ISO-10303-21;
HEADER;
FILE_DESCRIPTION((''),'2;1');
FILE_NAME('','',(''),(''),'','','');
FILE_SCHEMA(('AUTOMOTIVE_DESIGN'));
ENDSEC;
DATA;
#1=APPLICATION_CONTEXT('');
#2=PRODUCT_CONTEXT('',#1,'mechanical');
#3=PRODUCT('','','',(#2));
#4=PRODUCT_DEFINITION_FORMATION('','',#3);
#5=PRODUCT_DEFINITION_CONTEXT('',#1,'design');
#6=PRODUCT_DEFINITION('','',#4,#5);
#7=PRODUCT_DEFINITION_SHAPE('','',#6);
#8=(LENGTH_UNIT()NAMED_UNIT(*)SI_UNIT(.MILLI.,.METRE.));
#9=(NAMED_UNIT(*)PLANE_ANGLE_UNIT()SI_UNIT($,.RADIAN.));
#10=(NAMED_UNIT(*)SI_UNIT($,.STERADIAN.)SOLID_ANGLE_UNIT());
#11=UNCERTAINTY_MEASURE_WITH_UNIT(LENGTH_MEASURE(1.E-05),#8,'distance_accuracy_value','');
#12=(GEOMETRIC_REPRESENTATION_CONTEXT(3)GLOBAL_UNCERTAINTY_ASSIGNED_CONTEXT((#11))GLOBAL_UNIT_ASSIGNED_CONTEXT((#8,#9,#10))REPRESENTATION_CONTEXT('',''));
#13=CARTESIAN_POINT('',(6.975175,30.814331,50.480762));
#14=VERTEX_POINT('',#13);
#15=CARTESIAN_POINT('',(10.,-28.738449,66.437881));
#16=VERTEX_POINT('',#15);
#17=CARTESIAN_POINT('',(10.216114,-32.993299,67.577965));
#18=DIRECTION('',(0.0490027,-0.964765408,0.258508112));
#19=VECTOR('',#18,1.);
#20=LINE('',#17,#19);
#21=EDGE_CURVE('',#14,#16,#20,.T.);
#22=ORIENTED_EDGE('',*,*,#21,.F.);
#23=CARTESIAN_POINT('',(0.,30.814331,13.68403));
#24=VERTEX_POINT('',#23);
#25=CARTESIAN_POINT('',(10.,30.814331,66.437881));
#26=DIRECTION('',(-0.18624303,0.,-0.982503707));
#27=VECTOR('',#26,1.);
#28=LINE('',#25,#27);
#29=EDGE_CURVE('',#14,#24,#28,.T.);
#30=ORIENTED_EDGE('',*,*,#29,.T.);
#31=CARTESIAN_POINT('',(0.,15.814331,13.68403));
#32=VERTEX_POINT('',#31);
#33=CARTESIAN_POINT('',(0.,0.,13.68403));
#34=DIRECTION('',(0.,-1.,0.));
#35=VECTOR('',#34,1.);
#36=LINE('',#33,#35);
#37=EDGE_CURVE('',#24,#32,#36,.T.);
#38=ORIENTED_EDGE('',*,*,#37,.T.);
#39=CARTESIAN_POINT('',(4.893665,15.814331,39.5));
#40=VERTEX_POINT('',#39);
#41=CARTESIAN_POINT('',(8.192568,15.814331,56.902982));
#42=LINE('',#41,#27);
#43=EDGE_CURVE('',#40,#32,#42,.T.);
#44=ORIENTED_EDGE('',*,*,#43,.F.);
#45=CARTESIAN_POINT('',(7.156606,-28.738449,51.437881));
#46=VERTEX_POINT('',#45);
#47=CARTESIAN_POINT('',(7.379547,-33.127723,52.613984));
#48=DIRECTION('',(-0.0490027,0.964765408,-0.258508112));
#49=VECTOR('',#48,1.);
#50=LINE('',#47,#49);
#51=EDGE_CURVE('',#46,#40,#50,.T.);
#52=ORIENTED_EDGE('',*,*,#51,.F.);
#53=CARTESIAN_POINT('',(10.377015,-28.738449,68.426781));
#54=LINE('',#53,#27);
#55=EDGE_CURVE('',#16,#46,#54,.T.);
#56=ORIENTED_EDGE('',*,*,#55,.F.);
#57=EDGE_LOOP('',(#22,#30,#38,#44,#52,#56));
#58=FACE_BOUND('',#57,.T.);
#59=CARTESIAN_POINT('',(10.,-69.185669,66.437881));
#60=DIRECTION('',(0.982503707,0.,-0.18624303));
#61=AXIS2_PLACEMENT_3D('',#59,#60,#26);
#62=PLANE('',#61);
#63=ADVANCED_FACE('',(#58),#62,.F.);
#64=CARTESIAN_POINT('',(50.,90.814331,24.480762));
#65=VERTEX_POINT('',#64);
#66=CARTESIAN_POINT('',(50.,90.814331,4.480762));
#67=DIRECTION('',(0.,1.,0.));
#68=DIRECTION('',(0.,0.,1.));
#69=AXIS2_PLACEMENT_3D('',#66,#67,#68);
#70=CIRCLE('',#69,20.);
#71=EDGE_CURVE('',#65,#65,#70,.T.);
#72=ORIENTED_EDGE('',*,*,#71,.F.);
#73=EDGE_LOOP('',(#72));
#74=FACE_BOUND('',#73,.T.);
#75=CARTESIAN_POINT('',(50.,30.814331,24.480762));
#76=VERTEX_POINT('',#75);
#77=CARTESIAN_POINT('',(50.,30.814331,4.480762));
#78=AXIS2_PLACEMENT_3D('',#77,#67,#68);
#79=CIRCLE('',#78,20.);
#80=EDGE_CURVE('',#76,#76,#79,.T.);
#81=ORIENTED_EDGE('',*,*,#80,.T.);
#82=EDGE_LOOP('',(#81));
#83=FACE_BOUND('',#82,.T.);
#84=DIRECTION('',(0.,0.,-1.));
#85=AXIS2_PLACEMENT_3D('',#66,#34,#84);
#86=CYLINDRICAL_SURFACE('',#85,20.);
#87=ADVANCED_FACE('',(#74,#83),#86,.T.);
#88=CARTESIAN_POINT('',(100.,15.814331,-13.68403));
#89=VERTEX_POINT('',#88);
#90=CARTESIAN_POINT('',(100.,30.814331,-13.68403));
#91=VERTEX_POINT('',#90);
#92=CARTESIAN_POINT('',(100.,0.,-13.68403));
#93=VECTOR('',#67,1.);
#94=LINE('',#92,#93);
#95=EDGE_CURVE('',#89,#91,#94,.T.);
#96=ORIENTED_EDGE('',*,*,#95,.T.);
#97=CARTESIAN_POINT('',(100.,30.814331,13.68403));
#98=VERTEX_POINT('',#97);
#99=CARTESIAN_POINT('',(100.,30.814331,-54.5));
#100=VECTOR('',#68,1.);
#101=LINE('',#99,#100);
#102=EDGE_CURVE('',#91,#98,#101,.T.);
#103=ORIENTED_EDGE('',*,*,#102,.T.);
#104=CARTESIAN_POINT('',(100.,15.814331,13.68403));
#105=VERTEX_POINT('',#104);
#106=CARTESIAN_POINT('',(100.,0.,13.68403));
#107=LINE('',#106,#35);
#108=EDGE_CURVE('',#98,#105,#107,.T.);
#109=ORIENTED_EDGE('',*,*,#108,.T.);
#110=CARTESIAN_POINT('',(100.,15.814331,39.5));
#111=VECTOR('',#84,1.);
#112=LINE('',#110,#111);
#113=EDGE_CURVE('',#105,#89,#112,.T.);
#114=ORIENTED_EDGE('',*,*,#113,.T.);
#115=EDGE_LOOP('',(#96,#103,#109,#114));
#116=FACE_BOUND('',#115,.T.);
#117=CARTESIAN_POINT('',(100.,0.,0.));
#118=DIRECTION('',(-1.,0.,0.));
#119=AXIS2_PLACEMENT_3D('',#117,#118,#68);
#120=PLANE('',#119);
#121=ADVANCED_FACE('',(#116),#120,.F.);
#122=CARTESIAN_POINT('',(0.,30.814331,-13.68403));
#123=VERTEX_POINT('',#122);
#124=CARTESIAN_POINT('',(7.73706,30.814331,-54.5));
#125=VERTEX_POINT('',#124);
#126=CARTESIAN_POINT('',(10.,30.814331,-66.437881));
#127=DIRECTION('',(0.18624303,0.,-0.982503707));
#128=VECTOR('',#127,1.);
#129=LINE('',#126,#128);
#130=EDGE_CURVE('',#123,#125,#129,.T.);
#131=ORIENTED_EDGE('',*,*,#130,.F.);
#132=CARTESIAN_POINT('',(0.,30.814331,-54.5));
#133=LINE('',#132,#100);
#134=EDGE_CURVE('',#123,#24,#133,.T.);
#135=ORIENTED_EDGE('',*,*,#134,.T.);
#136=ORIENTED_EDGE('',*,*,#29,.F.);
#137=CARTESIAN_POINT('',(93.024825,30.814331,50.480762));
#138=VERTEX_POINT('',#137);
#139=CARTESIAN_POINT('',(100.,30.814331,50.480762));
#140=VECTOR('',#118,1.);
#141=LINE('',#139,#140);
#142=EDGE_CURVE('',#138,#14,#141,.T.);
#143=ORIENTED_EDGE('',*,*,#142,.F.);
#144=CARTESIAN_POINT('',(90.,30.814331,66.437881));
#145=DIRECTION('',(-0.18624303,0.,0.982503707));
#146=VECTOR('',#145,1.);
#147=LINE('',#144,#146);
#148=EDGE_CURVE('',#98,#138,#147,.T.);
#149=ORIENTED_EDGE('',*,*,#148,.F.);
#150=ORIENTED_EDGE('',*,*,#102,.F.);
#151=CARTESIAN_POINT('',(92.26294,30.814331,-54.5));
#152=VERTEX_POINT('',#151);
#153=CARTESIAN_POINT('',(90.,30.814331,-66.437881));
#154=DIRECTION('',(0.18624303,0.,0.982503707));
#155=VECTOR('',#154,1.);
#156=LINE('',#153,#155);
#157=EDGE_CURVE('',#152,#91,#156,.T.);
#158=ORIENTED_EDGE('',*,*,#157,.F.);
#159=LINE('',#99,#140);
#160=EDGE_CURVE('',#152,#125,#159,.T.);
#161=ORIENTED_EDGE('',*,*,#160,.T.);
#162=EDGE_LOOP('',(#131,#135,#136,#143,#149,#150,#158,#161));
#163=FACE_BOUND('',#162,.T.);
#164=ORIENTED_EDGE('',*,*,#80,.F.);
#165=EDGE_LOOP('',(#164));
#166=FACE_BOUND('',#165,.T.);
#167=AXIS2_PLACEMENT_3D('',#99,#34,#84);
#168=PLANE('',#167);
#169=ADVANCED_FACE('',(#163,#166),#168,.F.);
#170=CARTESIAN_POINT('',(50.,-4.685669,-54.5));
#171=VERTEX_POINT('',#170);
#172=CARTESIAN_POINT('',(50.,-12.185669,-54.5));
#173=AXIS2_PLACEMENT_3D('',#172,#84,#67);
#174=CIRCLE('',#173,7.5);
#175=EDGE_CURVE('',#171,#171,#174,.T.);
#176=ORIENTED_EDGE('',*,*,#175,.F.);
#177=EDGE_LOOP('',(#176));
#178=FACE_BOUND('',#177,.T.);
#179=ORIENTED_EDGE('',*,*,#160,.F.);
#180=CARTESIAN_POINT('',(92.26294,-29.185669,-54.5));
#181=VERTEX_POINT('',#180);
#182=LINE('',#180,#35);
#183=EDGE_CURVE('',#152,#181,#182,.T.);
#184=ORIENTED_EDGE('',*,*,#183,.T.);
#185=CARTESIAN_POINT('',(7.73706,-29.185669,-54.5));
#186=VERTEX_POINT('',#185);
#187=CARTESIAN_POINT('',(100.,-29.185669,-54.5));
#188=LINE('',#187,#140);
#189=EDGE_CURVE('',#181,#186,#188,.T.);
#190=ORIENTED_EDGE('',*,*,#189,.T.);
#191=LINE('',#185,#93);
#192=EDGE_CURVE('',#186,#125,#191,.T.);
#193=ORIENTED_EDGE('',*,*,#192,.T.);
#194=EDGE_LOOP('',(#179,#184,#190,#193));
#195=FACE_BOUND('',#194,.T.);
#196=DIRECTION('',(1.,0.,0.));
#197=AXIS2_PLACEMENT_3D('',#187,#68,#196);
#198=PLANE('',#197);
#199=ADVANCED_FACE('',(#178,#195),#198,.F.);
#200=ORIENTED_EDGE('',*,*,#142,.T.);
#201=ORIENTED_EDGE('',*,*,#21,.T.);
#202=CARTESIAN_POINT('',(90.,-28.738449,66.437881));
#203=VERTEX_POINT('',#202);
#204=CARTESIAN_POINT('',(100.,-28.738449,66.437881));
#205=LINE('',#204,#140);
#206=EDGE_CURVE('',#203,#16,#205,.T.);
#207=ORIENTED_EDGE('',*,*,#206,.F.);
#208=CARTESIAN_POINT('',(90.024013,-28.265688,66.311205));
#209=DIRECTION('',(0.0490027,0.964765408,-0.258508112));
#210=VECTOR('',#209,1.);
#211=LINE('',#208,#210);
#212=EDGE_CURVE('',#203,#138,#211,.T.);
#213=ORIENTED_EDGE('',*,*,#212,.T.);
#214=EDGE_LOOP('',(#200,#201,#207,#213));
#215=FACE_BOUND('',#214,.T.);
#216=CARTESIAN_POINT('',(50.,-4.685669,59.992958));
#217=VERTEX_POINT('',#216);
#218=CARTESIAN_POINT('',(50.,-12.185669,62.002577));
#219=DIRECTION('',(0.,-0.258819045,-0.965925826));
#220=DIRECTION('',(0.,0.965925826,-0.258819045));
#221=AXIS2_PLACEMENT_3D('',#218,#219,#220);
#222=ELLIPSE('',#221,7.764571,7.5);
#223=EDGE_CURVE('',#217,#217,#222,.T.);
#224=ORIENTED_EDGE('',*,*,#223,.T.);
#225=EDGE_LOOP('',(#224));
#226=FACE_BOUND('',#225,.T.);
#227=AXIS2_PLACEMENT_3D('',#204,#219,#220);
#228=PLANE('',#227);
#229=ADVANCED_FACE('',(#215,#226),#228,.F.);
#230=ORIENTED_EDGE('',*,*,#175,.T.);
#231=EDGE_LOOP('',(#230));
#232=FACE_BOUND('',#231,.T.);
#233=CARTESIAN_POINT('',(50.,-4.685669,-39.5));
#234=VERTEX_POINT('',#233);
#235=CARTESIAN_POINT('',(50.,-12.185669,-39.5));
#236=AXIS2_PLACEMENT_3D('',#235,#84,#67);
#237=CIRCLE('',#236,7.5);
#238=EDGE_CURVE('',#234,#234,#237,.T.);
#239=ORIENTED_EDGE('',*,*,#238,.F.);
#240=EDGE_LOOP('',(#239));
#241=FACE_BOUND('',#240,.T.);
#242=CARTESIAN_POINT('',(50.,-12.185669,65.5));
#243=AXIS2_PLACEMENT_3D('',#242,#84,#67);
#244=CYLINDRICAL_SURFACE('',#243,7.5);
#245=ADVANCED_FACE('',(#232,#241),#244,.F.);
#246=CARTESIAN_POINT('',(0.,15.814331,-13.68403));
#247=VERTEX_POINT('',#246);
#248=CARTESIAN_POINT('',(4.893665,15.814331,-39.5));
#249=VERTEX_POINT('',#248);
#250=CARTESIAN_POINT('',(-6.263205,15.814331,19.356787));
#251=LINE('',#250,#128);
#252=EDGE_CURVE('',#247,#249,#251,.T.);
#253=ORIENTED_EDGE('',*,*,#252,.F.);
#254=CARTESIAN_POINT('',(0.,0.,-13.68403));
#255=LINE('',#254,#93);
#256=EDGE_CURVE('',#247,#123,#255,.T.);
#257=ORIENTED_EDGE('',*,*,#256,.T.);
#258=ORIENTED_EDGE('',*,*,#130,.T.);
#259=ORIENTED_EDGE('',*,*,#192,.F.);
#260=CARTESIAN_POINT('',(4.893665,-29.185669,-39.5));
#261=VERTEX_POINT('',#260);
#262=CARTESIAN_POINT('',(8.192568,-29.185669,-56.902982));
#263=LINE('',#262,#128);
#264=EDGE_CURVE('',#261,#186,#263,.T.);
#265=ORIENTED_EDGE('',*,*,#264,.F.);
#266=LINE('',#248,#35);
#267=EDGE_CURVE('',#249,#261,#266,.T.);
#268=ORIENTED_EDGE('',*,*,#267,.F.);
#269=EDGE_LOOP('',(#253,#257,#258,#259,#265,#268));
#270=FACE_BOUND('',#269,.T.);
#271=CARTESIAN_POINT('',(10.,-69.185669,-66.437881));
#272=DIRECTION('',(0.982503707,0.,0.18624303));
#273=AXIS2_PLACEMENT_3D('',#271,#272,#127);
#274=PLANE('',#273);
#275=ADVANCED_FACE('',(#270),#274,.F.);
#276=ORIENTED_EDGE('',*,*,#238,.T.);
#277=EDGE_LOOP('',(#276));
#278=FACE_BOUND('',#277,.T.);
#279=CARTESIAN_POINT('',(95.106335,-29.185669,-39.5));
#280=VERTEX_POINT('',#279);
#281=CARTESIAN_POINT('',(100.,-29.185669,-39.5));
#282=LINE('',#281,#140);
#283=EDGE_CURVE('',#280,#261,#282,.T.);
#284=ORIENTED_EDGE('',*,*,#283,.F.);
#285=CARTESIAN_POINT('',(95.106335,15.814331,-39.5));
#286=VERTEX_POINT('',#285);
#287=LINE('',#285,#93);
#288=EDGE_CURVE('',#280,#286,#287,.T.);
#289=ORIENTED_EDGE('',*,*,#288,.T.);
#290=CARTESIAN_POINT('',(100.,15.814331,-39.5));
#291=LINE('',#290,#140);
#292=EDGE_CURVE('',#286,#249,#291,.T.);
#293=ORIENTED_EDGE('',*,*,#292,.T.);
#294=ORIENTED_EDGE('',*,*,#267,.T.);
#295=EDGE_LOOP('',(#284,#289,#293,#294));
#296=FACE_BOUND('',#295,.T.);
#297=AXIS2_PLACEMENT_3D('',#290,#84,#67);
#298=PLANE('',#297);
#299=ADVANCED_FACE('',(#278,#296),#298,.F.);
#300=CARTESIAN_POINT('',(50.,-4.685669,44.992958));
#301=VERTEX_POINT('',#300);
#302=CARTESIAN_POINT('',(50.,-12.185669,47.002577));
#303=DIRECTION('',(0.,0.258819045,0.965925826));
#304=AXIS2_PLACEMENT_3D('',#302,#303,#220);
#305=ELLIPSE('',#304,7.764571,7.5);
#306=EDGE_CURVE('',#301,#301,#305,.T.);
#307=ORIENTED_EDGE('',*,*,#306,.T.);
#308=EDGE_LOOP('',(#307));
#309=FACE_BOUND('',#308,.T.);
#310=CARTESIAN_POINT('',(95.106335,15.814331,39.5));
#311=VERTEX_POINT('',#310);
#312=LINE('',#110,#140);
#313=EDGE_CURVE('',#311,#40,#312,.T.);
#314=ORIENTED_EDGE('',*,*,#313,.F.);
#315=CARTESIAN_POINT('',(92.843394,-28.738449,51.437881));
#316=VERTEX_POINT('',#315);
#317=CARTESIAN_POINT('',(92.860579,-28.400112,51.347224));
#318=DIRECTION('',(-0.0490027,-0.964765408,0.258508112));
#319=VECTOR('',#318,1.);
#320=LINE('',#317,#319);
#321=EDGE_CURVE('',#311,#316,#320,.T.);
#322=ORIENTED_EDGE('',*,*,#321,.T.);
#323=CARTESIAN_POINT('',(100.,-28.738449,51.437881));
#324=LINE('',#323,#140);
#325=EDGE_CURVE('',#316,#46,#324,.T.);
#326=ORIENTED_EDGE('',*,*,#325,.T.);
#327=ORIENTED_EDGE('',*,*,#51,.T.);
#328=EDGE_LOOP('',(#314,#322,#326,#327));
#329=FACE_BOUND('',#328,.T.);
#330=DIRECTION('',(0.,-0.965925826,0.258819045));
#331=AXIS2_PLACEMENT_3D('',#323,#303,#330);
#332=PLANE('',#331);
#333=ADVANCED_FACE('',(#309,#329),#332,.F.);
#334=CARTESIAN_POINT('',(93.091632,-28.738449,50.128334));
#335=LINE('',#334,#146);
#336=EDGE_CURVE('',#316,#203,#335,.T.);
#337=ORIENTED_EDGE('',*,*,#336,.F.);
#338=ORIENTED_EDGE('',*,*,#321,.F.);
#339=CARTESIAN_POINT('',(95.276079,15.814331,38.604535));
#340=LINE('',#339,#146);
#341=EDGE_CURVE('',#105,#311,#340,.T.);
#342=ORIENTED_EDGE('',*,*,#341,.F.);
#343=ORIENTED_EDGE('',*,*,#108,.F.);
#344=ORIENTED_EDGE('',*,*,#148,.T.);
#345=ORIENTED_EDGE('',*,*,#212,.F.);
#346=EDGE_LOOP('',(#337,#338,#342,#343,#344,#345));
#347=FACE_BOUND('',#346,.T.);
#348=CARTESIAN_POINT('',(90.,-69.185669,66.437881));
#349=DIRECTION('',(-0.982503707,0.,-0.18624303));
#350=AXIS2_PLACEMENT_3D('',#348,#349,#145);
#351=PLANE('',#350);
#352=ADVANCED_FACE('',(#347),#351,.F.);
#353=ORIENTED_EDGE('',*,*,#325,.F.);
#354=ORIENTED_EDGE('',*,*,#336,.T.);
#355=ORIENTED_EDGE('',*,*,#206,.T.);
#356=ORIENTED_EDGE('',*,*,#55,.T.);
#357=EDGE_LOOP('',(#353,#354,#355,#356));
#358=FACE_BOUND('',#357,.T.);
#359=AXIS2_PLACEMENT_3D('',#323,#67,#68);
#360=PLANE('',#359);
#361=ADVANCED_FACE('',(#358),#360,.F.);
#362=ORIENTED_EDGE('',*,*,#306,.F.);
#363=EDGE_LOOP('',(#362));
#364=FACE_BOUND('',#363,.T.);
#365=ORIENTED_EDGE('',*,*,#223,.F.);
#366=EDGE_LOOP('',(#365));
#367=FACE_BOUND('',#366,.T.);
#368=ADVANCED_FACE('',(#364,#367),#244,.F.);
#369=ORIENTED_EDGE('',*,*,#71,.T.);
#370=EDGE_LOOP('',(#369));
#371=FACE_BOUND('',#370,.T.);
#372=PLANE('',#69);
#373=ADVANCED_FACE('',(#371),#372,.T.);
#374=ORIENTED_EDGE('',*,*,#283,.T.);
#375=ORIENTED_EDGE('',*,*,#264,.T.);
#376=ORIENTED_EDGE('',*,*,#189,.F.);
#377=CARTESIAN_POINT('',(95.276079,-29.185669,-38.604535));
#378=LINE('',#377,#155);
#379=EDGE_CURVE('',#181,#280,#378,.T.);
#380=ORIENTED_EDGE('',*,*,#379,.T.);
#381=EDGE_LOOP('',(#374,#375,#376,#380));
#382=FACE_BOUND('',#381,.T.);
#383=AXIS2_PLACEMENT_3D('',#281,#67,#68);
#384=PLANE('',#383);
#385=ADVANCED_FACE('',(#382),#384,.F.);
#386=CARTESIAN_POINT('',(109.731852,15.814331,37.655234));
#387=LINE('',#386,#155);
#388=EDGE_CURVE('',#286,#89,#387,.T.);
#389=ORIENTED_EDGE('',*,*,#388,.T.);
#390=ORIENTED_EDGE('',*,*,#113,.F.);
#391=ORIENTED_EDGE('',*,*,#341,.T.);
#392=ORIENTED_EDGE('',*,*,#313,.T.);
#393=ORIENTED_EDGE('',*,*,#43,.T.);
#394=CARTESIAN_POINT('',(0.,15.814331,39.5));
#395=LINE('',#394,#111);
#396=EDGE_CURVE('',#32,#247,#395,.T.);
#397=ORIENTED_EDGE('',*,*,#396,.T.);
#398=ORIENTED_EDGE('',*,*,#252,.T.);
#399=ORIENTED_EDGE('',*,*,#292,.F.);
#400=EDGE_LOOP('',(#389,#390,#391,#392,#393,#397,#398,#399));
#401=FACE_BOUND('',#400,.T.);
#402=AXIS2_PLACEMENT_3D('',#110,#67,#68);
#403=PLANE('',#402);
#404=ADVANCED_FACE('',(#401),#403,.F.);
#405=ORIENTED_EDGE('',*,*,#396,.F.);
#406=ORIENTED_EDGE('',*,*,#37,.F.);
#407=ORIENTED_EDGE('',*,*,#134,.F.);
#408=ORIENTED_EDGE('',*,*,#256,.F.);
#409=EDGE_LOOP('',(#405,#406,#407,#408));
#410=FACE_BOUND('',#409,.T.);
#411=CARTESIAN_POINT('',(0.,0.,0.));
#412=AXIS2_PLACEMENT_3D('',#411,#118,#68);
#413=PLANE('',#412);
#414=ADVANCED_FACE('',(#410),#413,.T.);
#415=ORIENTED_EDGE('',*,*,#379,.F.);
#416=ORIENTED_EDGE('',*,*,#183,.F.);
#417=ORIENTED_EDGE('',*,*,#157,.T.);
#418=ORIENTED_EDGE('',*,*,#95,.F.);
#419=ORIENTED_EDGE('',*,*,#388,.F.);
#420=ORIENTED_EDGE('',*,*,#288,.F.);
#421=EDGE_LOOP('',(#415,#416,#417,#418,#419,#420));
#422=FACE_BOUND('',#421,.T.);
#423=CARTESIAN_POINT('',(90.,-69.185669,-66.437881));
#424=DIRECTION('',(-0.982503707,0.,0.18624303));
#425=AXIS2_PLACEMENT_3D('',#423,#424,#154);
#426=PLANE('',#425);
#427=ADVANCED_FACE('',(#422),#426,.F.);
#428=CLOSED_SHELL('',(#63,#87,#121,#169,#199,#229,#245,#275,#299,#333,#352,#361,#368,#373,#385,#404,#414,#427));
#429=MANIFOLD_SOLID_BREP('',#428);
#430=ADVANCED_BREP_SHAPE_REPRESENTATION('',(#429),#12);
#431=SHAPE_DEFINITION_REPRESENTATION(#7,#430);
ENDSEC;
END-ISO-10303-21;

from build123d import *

# Parameters (mm, degrees)
BOSS_EXTRUDE1_DEPTH = 100
SKETCH2_R           = 7.5
CUT_EXTRUDE1_DEPTH  = 120
CUT_EXTRUDE2_DEPTH  = 100
SKETCH4_R           = 20
BOSS_EXTRUDE2_DEPTH = 60


with BuildPart() as part:
    # Sketch1 → Boss-Extrude1 (new body)
    with BuildSketch(Plane(origin=(0, 0, 0), x_dir=(0, 0, -1), z_dir=(1, 0, 0))):
        Polygon((-51.437881439, -28.738448854), (-39.5, 15.81433121), (39.5, 15.81433121), (39.5, -29.18566879), (54.5, -29.18566879), (54.5, 30.81433121), (-50.480762114, 30.81433121), (-66.437881439, -28.738448854), align=None)
    extrude(amount=BOSS_EXTRUDE1_DEPTH)

    # Sketch2 → Cut-Extrude1 (cut)
    with BuildSketch(Plane(origin=(0, 0, -54.5), x_dir=(-1, 0, 0), z_dir=(0, 0, -1))):
        with Locations((-50, -12.18566879)):
            Circle(SKETCH2_R)
    extrude(amount=-CUT_EXTRUDE1_DEPTH, mode=Mode.SUBTRACT)

    # Sketch3 → Cut-Extrude2 (cut)
    with BuildSketch(Plane(origin=(0, 30.81433121, 0), x_dir=(1, 0, 0), z_dir=(0, 1, 0))):
        Polygon((10, -66.437881439), (0, -13.684030484), (-18.365032474, -13.684030484), (-18.365032474, -72.107787752), align=None)
        Polygon((-18.365032474, 72.107787752), (10, 66.437881439), (0, 13.684030484), (-18.365032474, 13.684030484), align=None)
        Polygon((90, 66.437881439), (100, 13.684030484), (118.365032474, 13.684030484), (118.365032474, 72.107787752), align=None)
        Polygon((118.365032474, -72.107787752), (90, -66.437881439), (100, -13.684030484), (118.365032474, -13.684030484), align=None)
    extrude(amount=-CUT_EXTRUDE2_DEPTH, mode=Mode.SUBTRACT)

    # Sketch4 → Boss-Extrude2 (add)
    with BuildSketch(Plane(origin=(0, 30.81433121, 0), x_dir=(1, 0, 0), z_dir=(0, 1, 0))):
        with Locations((50, -4.480762114)):
            Circle(SKETCH4_R)
    extrude(amount=BOSS_EXTRUDE2_DEPTH)


solid = part.part
